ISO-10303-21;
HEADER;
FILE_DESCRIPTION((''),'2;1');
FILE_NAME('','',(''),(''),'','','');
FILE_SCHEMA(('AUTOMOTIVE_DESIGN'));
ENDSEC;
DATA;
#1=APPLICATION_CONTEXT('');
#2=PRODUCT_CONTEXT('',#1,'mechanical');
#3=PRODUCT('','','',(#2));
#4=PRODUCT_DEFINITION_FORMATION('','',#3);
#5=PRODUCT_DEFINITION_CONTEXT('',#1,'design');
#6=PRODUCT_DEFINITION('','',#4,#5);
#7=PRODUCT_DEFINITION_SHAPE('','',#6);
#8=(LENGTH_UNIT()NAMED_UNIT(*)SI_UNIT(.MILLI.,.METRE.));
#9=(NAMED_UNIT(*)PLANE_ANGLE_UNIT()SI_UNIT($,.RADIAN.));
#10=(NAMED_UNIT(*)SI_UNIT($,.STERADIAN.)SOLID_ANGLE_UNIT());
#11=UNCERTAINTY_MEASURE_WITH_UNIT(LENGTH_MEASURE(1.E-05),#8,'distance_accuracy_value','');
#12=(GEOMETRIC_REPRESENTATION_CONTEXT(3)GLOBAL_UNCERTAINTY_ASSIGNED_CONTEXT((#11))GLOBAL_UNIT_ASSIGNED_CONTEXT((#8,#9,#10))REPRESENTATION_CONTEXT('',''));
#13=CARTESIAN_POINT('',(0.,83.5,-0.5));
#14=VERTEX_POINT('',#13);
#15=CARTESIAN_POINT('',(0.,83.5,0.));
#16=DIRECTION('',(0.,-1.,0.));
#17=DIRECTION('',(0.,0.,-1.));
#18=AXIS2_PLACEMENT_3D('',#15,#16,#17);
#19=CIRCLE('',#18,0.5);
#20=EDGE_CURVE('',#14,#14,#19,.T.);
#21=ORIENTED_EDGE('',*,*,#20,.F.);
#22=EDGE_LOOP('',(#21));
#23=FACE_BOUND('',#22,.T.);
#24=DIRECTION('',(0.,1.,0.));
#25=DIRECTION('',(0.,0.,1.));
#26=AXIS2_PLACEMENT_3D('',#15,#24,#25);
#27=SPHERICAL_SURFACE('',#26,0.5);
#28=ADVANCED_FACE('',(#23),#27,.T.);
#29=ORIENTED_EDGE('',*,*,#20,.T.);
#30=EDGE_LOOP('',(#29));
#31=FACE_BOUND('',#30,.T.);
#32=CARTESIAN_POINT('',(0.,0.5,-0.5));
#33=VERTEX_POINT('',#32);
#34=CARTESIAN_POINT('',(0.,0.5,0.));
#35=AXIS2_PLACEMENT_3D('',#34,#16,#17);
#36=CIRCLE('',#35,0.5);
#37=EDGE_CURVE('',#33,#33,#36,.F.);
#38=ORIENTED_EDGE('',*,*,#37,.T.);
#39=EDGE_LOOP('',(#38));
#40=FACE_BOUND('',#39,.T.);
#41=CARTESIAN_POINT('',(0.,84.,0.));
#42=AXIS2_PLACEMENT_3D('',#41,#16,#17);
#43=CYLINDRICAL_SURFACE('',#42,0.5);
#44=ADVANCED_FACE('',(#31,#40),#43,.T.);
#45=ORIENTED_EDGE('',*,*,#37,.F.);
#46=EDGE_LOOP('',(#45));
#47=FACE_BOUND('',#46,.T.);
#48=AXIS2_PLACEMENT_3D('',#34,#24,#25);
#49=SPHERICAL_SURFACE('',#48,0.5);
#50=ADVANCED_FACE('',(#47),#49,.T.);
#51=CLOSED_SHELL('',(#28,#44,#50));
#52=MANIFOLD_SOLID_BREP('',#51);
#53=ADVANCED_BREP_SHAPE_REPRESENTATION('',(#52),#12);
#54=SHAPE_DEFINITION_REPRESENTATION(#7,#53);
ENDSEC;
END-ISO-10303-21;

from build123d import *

# Parameters (mm, degrees)
IZIM2_R                     = 0.5
Y_KSEKLIK_EKSTR_ZYON1_DEPTH = 84
RADYUS1_R                   = 0.5
RADYUS4_R                   = 0.5


with BuildPart() as part:
    # Çizim2 → Yükseklik-Ekstrüzyon1 (new body)
    with BuildSketch(Plane(origin=(0, 0, 0), x_dir=(1, 0, 0), z_dir=(0, 1, 0))):
        Circle(IZIM2_R)
    extrude(amount=Y_KSEKLIK_EKSTR_ZYON1_DEPTH)

    # Radyus1
    radyus1_edges = [part.edges().sort_by_distance(p)[0] for p in [
        (-0.5, 84, 0),
    ]]
    fillet(radyus1_edges, radius=RADYUS1_R)

    # Radyus4
    radyus4_edges = [part.edges().sort_by_distance(p)[0] for p in [
        (-0.5, 0, 0),
    ]]
    fillet(radyus4_edges, radius=RADYUS4_R)


solid = part.part
